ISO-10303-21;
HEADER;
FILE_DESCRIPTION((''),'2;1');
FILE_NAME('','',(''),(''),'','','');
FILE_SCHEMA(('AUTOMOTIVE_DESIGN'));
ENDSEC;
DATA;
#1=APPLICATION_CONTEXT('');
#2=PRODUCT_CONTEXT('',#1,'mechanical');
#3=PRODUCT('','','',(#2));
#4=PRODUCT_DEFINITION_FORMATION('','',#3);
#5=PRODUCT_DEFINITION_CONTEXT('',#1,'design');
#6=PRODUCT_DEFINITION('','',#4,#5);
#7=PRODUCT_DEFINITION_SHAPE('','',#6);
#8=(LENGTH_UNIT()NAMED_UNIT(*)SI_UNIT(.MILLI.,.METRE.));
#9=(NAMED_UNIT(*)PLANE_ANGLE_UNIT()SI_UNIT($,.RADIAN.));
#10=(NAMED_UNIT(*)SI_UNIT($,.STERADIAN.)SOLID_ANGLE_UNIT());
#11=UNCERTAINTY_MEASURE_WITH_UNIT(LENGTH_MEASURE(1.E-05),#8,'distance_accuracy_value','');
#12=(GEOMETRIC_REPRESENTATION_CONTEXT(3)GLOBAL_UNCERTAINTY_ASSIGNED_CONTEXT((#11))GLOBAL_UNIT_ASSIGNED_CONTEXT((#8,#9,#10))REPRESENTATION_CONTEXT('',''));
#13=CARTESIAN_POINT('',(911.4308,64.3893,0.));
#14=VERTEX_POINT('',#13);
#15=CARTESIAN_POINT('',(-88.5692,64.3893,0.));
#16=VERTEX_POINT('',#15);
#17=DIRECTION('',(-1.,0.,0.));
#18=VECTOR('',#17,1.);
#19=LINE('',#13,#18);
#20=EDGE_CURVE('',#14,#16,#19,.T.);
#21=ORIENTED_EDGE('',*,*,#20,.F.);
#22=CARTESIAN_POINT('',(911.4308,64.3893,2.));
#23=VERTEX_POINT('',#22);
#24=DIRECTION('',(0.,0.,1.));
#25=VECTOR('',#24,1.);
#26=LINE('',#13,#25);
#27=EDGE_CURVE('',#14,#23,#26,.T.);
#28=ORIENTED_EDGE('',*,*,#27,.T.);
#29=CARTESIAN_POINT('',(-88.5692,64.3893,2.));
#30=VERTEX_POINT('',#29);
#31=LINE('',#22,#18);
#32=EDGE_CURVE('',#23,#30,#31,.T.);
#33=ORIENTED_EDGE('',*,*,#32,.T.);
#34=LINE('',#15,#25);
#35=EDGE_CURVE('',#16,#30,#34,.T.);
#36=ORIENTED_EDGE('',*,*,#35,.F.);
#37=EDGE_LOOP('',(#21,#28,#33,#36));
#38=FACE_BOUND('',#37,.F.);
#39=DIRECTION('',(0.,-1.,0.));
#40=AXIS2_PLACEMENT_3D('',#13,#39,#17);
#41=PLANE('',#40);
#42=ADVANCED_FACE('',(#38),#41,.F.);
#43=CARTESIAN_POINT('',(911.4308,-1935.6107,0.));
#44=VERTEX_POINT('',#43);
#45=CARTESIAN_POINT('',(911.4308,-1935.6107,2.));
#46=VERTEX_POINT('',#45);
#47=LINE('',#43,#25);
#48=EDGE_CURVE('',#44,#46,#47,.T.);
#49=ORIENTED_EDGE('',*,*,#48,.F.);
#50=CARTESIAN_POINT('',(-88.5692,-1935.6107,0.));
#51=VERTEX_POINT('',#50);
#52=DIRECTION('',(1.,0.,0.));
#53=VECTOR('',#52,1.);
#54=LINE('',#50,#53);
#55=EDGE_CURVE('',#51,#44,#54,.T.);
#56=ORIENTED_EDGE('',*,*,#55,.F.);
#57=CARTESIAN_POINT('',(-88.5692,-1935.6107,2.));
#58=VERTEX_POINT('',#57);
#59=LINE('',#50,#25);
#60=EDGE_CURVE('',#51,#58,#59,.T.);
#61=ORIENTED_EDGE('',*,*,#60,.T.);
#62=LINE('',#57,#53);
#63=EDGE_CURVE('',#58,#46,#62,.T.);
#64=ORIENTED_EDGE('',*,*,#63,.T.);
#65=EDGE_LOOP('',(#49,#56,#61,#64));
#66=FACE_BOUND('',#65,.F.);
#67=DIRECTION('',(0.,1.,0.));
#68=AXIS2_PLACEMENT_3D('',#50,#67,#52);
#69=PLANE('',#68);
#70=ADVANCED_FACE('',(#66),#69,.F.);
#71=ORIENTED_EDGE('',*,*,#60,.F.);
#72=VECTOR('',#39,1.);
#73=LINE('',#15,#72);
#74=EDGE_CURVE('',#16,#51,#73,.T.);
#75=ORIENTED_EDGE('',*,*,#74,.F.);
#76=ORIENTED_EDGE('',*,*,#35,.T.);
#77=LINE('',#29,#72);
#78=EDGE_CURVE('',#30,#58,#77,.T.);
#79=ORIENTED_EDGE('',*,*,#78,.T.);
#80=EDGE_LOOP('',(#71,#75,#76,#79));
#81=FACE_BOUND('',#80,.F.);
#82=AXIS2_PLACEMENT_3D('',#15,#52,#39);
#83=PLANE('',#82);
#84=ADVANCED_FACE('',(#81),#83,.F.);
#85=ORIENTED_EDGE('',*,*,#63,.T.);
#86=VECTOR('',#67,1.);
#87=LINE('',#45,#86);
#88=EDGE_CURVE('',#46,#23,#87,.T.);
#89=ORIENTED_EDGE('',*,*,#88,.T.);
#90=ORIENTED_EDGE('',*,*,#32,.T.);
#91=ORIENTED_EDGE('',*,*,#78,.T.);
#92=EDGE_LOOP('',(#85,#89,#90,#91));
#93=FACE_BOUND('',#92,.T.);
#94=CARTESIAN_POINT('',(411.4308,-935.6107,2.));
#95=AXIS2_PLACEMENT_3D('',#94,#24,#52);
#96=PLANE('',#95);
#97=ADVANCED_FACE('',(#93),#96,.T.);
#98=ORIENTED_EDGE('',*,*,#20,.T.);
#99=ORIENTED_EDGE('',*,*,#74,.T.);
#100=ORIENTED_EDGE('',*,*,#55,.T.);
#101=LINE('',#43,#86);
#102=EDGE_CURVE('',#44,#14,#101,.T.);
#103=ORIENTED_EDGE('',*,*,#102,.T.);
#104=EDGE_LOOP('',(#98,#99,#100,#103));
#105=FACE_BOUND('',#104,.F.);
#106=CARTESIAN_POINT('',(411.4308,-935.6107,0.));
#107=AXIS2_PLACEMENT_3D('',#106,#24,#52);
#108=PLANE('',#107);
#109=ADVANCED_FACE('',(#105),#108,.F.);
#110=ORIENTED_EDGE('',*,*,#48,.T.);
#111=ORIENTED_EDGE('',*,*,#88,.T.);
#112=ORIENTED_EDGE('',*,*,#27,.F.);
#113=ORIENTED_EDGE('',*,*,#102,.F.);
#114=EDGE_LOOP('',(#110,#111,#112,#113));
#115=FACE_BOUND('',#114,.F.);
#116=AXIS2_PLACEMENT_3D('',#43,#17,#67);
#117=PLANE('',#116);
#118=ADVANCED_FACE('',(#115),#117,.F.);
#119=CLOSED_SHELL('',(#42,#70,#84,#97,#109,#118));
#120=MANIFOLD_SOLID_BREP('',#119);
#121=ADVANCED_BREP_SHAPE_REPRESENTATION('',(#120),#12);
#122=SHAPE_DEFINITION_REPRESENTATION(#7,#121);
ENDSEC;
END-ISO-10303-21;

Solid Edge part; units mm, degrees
sketch "Sketch1" plane through (0, 0, 0) normal (0, 0, 1) x (1, 0, 0)
  line L0 (-88.5692, -1935.6107) -> (911.4308, -1935.6107)
  line L1 (911.4308, -1935.6107) -> (911.4308, 64.3893)
  line L2 (911.4308, 64.3893) -> (-88.5692, 64.3893)
  line L3 (-88.5692, 64.3893) -> (-88.5692, -1935.6107)
  dimension "D1" = 1000
  dimension "D2" = 2000
extrude "Protrusion1" add sketch "Sketch1" along normal blind 2
properties part number "BumbleB0980"
